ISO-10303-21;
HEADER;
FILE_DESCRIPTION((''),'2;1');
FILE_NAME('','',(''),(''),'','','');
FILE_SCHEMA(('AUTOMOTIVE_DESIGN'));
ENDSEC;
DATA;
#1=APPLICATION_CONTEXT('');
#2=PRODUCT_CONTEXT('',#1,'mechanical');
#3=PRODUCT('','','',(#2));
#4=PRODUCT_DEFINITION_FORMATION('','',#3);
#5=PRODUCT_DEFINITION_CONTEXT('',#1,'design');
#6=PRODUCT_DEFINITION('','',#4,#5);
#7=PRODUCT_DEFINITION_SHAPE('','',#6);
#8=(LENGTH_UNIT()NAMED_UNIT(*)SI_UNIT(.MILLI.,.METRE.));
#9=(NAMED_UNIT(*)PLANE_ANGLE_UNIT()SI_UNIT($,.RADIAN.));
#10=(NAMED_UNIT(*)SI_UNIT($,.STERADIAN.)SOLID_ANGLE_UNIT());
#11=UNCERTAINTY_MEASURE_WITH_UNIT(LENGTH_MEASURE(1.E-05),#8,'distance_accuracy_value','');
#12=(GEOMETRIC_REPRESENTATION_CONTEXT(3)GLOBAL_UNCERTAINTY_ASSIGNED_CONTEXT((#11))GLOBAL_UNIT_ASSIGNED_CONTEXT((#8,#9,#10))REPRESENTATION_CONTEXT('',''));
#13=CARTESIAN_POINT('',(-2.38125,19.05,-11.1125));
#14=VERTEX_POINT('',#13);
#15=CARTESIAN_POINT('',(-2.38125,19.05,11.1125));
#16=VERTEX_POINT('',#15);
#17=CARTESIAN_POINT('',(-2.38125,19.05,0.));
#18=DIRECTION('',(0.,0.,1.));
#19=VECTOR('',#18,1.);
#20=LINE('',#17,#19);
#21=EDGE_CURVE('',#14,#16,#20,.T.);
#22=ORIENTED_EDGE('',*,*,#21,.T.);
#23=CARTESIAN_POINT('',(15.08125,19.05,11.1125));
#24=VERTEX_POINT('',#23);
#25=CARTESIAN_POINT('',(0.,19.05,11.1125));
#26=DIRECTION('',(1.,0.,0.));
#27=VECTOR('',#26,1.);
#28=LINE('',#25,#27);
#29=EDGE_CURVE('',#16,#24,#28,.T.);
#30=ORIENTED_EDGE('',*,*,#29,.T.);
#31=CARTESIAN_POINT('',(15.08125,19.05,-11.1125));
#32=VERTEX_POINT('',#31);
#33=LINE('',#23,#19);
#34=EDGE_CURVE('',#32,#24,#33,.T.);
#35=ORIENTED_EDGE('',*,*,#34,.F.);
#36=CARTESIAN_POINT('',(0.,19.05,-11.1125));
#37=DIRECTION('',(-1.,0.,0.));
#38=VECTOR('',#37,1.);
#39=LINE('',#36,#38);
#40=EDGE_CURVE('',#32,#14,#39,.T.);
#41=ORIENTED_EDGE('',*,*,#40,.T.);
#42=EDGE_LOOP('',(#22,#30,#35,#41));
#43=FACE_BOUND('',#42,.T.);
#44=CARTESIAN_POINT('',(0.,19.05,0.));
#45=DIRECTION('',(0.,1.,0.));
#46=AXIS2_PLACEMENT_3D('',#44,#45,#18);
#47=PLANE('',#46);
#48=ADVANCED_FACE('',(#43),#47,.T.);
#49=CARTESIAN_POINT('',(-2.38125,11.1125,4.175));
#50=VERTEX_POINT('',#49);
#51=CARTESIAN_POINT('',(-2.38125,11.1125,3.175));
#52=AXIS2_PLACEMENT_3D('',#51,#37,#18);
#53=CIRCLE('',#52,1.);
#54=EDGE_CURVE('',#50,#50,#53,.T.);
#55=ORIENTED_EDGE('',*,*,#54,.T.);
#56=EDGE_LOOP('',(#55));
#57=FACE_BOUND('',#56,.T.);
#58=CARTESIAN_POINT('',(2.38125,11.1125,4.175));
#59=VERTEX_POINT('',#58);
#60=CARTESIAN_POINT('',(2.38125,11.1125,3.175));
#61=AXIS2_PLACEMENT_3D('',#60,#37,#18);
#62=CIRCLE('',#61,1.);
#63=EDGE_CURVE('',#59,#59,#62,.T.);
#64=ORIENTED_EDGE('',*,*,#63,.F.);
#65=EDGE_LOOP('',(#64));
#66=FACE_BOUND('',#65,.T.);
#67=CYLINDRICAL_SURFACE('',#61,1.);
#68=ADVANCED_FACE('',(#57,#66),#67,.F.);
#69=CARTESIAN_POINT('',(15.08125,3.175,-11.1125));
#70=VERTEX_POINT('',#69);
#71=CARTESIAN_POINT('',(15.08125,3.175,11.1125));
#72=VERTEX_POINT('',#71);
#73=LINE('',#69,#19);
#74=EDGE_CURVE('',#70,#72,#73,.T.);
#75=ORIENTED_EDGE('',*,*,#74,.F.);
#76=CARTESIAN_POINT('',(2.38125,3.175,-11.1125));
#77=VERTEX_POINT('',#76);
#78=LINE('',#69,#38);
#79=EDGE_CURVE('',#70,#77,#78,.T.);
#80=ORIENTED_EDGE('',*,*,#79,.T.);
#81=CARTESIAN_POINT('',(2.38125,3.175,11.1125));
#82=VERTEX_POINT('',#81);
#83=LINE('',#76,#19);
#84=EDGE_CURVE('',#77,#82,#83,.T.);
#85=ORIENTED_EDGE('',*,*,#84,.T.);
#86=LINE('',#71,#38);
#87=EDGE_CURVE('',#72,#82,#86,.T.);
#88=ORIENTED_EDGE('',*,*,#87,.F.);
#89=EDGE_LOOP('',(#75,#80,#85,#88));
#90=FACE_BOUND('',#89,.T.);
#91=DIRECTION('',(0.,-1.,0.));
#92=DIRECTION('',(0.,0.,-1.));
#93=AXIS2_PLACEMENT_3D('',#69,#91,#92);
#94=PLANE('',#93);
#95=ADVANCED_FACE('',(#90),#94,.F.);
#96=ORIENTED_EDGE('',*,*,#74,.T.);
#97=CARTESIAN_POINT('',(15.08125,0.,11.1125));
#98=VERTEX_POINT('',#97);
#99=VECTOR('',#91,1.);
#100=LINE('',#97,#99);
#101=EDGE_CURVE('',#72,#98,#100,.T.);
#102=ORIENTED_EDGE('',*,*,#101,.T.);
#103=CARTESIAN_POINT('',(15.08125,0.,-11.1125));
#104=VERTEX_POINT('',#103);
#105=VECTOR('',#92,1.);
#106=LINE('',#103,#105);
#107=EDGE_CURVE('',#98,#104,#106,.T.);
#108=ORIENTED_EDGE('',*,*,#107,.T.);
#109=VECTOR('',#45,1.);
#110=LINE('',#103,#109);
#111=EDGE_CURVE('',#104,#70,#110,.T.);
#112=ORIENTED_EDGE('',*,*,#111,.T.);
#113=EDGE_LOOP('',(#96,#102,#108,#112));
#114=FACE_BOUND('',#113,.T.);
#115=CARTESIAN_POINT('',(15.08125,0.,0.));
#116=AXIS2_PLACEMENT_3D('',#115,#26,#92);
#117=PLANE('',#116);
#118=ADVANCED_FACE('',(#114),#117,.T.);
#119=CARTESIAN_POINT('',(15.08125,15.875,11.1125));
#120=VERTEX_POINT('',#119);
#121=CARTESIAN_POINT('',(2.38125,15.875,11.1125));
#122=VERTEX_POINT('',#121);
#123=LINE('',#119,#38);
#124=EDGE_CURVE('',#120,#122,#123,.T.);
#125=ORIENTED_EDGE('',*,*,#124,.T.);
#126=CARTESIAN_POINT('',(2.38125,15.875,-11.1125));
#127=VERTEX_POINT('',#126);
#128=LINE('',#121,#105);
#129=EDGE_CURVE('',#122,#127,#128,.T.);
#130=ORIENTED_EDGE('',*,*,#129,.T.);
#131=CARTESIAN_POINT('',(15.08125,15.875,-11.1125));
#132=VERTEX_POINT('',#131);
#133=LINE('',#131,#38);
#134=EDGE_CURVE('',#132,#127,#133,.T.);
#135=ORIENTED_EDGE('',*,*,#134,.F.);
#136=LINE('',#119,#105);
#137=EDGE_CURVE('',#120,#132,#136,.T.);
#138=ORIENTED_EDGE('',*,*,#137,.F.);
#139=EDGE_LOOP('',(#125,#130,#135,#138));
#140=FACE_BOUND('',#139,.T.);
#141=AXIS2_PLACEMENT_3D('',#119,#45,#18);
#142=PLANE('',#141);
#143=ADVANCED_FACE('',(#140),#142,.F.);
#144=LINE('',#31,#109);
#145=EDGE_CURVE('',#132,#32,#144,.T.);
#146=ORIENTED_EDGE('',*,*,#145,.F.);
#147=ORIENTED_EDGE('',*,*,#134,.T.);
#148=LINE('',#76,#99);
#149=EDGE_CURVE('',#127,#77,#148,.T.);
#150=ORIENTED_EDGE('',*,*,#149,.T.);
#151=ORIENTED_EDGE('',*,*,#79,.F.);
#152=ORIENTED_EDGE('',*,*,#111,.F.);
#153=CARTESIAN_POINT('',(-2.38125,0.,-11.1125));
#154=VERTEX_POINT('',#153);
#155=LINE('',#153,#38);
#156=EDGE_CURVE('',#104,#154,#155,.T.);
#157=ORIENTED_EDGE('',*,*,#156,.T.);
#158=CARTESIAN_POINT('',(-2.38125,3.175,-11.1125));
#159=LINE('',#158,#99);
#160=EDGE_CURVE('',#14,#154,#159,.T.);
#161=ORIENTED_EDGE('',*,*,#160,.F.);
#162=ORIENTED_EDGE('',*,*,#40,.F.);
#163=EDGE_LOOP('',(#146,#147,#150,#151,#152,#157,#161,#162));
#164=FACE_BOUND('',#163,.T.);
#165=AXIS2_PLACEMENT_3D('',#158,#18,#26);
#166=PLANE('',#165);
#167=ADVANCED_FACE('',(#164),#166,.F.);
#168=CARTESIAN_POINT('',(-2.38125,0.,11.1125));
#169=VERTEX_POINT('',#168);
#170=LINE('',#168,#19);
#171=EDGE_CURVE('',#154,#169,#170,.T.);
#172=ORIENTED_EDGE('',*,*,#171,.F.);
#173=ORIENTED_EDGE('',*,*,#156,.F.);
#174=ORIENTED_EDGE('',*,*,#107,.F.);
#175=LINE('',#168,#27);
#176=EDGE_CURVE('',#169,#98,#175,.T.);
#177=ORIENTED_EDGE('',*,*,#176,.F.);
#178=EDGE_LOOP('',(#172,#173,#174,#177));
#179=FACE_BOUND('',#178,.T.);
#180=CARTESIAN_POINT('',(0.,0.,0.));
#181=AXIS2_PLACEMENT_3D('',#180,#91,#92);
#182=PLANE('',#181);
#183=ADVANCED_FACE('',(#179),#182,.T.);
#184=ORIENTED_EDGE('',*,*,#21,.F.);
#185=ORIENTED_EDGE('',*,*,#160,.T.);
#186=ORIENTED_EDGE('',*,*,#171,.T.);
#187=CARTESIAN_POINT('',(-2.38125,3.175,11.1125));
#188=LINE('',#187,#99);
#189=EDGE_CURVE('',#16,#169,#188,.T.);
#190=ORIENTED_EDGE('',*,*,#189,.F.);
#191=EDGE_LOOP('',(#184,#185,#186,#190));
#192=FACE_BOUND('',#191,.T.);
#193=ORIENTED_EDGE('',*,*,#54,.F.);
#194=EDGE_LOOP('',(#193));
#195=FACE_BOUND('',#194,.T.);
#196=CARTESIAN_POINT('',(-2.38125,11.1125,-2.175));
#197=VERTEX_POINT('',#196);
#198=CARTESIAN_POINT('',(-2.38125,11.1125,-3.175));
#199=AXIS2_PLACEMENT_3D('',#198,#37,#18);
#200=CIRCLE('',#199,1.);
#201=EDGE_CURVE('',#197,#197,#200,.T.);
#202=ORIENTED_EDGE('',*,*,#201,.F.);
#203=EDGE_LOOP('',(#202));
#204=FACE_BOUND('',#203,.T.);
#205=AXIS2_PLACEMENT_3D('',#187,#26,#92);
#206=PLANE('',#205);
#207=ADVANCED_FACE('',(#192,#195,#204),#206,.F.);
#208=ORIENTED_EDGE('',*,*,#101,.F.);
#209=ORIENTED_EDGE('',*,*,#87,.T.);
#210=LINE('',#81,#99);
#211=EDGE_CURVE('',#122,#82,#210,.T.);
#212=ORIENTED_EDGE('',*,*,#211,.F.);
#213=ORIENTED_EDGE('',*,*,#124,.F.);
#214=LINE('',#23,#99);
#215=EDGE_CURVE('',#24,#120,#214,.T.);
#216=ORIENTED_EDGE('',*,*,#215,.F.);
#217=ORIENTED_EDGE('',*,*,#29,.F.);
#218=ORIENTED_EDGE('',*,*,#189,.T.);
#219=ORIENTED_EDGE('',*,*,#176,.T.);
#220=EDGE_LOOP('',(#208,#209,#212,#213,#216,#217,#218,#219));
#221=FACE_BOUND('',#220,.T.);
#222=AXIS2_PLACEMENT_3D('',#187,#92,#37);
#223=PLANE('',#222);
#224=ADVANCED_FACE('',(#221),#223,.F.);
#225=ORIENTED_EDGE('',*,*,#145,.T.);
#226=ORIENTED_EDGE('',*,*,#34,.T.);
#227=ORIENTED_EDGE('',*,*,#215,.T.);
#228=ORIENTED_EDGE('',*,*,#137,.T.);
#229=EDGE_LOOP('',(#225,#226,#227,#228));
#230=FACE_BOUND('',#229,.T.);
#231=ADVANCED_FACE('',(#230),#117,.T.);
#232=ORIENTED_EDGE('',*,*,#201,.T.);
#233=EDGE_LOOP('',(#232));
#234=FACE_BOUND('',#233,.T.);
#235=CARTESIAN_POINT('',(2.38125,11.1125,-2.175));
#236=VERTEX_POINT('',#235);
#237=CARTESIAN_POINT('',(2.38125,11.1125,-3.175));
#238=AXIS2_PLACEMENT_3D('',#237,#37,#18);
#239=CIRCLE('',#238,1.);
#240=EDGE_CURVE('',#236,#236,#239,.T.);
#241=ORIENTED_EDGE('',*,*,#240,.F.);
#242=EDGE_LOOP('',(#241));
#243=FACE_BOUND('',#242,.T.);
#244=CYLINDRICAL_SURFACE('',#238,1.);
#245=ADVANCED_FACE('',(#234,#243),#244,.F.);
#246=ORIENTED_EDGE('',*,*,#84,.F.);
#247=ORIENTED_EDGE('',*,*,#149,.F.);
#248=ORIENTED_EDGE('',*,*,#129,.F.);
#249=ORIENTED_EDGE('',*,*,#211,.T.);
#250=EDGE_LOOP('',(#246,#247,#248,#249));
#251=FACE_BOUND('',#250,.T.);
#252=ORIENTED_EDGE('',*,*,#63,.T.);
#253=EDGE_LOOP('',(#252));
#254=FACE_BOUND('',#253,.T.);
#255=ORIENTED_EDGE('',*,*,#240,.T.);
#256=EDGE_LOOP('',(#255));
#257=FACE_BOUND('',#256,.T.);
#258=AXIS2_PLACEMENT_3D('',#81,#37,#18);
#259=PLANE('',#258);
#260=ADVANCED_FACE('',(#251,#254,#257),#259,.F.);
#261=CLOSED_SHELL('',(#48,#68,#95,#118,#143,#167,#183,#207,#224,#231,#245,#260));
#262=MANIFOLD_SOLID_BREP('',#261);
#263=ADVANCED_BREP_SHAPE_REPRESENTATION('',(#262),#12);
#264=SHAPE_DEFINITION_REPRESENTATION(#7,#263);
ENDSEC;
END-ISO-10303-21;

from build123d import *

# Parameters (mm, degrees)
SKETCH1_W           = 4.7625
SKETCH1_H           = 22.225
BOSS_EXTRUDE1_DEPTH = 3.175
SKETCH2_W           = 4.7625
SKETCH2_H           = 22.225
BOSS_EXTRUDE2_DEPTH = 15.875
SKETCH3_R           = 1
CUT_EXTRUDE1_DEPTH  = 5.7625
SKETCH5_W           = 22.225
SKETCH5_H           = 3.175
BOSS_EXTRUDE3_DEPTH = 12.7


with BuildPart() as part:
    # Sketch1 → Boss-Extrude1 (new body)
    with BuildSketch(Plane(origin=(0, 0, 0), x_dir=(1, 0, 0), z_dir=(0, 1, 0))):
        Rectangle(SKETCH1_W, SKETCH1_H)
    extrude(amount=BOSS_EXTRUDE1_DEPTH)

    # Sketch2 → Boss-Extrude2 (add)
    with BuildSketch(Plane(origin=(0, 3.175, 0), x_dir=(1, 0, 0), z_dir=(0, 1, 0))):
        Rectangle(SKETCH2_W, SKETCH2_H)
    extrude(amount=BOSS_EXTRUDE2_DEPTH)

    # Sketch3 → Cut-Extrude1 (cut, through all)
    with BuildSketch(Plane.ZY.offset(2.38125)):
        with Locations((3.175, 11.1125)):
            Circle(SKETCH3_R)
        with Locations((-3.175, 11.1125)):
            Circle(SKETCH3_R)
    extrude(amount=-CUT_EXTRUDE1_DEPTH, mode=Mode.SUBTRACT)

    # Sketch5 → Boss-Extrude3 (add)
    with BuildSketch(Plane(origin=(2.38125, 0, 0), x_dir=(0, 0, -1), z_dir=(1, 0, 0))):
        with Locations((0, 17.4625)):
            Rectangle(SKETCH5_W, SKETCH5_H)
        with Locations((0, 1.5875)):
            Rectangle(SKETCH5_W, SKETCH5_H)
    extrude(amount=BOSS_EXTRUDE3_DEPTH)


solid = part.part
